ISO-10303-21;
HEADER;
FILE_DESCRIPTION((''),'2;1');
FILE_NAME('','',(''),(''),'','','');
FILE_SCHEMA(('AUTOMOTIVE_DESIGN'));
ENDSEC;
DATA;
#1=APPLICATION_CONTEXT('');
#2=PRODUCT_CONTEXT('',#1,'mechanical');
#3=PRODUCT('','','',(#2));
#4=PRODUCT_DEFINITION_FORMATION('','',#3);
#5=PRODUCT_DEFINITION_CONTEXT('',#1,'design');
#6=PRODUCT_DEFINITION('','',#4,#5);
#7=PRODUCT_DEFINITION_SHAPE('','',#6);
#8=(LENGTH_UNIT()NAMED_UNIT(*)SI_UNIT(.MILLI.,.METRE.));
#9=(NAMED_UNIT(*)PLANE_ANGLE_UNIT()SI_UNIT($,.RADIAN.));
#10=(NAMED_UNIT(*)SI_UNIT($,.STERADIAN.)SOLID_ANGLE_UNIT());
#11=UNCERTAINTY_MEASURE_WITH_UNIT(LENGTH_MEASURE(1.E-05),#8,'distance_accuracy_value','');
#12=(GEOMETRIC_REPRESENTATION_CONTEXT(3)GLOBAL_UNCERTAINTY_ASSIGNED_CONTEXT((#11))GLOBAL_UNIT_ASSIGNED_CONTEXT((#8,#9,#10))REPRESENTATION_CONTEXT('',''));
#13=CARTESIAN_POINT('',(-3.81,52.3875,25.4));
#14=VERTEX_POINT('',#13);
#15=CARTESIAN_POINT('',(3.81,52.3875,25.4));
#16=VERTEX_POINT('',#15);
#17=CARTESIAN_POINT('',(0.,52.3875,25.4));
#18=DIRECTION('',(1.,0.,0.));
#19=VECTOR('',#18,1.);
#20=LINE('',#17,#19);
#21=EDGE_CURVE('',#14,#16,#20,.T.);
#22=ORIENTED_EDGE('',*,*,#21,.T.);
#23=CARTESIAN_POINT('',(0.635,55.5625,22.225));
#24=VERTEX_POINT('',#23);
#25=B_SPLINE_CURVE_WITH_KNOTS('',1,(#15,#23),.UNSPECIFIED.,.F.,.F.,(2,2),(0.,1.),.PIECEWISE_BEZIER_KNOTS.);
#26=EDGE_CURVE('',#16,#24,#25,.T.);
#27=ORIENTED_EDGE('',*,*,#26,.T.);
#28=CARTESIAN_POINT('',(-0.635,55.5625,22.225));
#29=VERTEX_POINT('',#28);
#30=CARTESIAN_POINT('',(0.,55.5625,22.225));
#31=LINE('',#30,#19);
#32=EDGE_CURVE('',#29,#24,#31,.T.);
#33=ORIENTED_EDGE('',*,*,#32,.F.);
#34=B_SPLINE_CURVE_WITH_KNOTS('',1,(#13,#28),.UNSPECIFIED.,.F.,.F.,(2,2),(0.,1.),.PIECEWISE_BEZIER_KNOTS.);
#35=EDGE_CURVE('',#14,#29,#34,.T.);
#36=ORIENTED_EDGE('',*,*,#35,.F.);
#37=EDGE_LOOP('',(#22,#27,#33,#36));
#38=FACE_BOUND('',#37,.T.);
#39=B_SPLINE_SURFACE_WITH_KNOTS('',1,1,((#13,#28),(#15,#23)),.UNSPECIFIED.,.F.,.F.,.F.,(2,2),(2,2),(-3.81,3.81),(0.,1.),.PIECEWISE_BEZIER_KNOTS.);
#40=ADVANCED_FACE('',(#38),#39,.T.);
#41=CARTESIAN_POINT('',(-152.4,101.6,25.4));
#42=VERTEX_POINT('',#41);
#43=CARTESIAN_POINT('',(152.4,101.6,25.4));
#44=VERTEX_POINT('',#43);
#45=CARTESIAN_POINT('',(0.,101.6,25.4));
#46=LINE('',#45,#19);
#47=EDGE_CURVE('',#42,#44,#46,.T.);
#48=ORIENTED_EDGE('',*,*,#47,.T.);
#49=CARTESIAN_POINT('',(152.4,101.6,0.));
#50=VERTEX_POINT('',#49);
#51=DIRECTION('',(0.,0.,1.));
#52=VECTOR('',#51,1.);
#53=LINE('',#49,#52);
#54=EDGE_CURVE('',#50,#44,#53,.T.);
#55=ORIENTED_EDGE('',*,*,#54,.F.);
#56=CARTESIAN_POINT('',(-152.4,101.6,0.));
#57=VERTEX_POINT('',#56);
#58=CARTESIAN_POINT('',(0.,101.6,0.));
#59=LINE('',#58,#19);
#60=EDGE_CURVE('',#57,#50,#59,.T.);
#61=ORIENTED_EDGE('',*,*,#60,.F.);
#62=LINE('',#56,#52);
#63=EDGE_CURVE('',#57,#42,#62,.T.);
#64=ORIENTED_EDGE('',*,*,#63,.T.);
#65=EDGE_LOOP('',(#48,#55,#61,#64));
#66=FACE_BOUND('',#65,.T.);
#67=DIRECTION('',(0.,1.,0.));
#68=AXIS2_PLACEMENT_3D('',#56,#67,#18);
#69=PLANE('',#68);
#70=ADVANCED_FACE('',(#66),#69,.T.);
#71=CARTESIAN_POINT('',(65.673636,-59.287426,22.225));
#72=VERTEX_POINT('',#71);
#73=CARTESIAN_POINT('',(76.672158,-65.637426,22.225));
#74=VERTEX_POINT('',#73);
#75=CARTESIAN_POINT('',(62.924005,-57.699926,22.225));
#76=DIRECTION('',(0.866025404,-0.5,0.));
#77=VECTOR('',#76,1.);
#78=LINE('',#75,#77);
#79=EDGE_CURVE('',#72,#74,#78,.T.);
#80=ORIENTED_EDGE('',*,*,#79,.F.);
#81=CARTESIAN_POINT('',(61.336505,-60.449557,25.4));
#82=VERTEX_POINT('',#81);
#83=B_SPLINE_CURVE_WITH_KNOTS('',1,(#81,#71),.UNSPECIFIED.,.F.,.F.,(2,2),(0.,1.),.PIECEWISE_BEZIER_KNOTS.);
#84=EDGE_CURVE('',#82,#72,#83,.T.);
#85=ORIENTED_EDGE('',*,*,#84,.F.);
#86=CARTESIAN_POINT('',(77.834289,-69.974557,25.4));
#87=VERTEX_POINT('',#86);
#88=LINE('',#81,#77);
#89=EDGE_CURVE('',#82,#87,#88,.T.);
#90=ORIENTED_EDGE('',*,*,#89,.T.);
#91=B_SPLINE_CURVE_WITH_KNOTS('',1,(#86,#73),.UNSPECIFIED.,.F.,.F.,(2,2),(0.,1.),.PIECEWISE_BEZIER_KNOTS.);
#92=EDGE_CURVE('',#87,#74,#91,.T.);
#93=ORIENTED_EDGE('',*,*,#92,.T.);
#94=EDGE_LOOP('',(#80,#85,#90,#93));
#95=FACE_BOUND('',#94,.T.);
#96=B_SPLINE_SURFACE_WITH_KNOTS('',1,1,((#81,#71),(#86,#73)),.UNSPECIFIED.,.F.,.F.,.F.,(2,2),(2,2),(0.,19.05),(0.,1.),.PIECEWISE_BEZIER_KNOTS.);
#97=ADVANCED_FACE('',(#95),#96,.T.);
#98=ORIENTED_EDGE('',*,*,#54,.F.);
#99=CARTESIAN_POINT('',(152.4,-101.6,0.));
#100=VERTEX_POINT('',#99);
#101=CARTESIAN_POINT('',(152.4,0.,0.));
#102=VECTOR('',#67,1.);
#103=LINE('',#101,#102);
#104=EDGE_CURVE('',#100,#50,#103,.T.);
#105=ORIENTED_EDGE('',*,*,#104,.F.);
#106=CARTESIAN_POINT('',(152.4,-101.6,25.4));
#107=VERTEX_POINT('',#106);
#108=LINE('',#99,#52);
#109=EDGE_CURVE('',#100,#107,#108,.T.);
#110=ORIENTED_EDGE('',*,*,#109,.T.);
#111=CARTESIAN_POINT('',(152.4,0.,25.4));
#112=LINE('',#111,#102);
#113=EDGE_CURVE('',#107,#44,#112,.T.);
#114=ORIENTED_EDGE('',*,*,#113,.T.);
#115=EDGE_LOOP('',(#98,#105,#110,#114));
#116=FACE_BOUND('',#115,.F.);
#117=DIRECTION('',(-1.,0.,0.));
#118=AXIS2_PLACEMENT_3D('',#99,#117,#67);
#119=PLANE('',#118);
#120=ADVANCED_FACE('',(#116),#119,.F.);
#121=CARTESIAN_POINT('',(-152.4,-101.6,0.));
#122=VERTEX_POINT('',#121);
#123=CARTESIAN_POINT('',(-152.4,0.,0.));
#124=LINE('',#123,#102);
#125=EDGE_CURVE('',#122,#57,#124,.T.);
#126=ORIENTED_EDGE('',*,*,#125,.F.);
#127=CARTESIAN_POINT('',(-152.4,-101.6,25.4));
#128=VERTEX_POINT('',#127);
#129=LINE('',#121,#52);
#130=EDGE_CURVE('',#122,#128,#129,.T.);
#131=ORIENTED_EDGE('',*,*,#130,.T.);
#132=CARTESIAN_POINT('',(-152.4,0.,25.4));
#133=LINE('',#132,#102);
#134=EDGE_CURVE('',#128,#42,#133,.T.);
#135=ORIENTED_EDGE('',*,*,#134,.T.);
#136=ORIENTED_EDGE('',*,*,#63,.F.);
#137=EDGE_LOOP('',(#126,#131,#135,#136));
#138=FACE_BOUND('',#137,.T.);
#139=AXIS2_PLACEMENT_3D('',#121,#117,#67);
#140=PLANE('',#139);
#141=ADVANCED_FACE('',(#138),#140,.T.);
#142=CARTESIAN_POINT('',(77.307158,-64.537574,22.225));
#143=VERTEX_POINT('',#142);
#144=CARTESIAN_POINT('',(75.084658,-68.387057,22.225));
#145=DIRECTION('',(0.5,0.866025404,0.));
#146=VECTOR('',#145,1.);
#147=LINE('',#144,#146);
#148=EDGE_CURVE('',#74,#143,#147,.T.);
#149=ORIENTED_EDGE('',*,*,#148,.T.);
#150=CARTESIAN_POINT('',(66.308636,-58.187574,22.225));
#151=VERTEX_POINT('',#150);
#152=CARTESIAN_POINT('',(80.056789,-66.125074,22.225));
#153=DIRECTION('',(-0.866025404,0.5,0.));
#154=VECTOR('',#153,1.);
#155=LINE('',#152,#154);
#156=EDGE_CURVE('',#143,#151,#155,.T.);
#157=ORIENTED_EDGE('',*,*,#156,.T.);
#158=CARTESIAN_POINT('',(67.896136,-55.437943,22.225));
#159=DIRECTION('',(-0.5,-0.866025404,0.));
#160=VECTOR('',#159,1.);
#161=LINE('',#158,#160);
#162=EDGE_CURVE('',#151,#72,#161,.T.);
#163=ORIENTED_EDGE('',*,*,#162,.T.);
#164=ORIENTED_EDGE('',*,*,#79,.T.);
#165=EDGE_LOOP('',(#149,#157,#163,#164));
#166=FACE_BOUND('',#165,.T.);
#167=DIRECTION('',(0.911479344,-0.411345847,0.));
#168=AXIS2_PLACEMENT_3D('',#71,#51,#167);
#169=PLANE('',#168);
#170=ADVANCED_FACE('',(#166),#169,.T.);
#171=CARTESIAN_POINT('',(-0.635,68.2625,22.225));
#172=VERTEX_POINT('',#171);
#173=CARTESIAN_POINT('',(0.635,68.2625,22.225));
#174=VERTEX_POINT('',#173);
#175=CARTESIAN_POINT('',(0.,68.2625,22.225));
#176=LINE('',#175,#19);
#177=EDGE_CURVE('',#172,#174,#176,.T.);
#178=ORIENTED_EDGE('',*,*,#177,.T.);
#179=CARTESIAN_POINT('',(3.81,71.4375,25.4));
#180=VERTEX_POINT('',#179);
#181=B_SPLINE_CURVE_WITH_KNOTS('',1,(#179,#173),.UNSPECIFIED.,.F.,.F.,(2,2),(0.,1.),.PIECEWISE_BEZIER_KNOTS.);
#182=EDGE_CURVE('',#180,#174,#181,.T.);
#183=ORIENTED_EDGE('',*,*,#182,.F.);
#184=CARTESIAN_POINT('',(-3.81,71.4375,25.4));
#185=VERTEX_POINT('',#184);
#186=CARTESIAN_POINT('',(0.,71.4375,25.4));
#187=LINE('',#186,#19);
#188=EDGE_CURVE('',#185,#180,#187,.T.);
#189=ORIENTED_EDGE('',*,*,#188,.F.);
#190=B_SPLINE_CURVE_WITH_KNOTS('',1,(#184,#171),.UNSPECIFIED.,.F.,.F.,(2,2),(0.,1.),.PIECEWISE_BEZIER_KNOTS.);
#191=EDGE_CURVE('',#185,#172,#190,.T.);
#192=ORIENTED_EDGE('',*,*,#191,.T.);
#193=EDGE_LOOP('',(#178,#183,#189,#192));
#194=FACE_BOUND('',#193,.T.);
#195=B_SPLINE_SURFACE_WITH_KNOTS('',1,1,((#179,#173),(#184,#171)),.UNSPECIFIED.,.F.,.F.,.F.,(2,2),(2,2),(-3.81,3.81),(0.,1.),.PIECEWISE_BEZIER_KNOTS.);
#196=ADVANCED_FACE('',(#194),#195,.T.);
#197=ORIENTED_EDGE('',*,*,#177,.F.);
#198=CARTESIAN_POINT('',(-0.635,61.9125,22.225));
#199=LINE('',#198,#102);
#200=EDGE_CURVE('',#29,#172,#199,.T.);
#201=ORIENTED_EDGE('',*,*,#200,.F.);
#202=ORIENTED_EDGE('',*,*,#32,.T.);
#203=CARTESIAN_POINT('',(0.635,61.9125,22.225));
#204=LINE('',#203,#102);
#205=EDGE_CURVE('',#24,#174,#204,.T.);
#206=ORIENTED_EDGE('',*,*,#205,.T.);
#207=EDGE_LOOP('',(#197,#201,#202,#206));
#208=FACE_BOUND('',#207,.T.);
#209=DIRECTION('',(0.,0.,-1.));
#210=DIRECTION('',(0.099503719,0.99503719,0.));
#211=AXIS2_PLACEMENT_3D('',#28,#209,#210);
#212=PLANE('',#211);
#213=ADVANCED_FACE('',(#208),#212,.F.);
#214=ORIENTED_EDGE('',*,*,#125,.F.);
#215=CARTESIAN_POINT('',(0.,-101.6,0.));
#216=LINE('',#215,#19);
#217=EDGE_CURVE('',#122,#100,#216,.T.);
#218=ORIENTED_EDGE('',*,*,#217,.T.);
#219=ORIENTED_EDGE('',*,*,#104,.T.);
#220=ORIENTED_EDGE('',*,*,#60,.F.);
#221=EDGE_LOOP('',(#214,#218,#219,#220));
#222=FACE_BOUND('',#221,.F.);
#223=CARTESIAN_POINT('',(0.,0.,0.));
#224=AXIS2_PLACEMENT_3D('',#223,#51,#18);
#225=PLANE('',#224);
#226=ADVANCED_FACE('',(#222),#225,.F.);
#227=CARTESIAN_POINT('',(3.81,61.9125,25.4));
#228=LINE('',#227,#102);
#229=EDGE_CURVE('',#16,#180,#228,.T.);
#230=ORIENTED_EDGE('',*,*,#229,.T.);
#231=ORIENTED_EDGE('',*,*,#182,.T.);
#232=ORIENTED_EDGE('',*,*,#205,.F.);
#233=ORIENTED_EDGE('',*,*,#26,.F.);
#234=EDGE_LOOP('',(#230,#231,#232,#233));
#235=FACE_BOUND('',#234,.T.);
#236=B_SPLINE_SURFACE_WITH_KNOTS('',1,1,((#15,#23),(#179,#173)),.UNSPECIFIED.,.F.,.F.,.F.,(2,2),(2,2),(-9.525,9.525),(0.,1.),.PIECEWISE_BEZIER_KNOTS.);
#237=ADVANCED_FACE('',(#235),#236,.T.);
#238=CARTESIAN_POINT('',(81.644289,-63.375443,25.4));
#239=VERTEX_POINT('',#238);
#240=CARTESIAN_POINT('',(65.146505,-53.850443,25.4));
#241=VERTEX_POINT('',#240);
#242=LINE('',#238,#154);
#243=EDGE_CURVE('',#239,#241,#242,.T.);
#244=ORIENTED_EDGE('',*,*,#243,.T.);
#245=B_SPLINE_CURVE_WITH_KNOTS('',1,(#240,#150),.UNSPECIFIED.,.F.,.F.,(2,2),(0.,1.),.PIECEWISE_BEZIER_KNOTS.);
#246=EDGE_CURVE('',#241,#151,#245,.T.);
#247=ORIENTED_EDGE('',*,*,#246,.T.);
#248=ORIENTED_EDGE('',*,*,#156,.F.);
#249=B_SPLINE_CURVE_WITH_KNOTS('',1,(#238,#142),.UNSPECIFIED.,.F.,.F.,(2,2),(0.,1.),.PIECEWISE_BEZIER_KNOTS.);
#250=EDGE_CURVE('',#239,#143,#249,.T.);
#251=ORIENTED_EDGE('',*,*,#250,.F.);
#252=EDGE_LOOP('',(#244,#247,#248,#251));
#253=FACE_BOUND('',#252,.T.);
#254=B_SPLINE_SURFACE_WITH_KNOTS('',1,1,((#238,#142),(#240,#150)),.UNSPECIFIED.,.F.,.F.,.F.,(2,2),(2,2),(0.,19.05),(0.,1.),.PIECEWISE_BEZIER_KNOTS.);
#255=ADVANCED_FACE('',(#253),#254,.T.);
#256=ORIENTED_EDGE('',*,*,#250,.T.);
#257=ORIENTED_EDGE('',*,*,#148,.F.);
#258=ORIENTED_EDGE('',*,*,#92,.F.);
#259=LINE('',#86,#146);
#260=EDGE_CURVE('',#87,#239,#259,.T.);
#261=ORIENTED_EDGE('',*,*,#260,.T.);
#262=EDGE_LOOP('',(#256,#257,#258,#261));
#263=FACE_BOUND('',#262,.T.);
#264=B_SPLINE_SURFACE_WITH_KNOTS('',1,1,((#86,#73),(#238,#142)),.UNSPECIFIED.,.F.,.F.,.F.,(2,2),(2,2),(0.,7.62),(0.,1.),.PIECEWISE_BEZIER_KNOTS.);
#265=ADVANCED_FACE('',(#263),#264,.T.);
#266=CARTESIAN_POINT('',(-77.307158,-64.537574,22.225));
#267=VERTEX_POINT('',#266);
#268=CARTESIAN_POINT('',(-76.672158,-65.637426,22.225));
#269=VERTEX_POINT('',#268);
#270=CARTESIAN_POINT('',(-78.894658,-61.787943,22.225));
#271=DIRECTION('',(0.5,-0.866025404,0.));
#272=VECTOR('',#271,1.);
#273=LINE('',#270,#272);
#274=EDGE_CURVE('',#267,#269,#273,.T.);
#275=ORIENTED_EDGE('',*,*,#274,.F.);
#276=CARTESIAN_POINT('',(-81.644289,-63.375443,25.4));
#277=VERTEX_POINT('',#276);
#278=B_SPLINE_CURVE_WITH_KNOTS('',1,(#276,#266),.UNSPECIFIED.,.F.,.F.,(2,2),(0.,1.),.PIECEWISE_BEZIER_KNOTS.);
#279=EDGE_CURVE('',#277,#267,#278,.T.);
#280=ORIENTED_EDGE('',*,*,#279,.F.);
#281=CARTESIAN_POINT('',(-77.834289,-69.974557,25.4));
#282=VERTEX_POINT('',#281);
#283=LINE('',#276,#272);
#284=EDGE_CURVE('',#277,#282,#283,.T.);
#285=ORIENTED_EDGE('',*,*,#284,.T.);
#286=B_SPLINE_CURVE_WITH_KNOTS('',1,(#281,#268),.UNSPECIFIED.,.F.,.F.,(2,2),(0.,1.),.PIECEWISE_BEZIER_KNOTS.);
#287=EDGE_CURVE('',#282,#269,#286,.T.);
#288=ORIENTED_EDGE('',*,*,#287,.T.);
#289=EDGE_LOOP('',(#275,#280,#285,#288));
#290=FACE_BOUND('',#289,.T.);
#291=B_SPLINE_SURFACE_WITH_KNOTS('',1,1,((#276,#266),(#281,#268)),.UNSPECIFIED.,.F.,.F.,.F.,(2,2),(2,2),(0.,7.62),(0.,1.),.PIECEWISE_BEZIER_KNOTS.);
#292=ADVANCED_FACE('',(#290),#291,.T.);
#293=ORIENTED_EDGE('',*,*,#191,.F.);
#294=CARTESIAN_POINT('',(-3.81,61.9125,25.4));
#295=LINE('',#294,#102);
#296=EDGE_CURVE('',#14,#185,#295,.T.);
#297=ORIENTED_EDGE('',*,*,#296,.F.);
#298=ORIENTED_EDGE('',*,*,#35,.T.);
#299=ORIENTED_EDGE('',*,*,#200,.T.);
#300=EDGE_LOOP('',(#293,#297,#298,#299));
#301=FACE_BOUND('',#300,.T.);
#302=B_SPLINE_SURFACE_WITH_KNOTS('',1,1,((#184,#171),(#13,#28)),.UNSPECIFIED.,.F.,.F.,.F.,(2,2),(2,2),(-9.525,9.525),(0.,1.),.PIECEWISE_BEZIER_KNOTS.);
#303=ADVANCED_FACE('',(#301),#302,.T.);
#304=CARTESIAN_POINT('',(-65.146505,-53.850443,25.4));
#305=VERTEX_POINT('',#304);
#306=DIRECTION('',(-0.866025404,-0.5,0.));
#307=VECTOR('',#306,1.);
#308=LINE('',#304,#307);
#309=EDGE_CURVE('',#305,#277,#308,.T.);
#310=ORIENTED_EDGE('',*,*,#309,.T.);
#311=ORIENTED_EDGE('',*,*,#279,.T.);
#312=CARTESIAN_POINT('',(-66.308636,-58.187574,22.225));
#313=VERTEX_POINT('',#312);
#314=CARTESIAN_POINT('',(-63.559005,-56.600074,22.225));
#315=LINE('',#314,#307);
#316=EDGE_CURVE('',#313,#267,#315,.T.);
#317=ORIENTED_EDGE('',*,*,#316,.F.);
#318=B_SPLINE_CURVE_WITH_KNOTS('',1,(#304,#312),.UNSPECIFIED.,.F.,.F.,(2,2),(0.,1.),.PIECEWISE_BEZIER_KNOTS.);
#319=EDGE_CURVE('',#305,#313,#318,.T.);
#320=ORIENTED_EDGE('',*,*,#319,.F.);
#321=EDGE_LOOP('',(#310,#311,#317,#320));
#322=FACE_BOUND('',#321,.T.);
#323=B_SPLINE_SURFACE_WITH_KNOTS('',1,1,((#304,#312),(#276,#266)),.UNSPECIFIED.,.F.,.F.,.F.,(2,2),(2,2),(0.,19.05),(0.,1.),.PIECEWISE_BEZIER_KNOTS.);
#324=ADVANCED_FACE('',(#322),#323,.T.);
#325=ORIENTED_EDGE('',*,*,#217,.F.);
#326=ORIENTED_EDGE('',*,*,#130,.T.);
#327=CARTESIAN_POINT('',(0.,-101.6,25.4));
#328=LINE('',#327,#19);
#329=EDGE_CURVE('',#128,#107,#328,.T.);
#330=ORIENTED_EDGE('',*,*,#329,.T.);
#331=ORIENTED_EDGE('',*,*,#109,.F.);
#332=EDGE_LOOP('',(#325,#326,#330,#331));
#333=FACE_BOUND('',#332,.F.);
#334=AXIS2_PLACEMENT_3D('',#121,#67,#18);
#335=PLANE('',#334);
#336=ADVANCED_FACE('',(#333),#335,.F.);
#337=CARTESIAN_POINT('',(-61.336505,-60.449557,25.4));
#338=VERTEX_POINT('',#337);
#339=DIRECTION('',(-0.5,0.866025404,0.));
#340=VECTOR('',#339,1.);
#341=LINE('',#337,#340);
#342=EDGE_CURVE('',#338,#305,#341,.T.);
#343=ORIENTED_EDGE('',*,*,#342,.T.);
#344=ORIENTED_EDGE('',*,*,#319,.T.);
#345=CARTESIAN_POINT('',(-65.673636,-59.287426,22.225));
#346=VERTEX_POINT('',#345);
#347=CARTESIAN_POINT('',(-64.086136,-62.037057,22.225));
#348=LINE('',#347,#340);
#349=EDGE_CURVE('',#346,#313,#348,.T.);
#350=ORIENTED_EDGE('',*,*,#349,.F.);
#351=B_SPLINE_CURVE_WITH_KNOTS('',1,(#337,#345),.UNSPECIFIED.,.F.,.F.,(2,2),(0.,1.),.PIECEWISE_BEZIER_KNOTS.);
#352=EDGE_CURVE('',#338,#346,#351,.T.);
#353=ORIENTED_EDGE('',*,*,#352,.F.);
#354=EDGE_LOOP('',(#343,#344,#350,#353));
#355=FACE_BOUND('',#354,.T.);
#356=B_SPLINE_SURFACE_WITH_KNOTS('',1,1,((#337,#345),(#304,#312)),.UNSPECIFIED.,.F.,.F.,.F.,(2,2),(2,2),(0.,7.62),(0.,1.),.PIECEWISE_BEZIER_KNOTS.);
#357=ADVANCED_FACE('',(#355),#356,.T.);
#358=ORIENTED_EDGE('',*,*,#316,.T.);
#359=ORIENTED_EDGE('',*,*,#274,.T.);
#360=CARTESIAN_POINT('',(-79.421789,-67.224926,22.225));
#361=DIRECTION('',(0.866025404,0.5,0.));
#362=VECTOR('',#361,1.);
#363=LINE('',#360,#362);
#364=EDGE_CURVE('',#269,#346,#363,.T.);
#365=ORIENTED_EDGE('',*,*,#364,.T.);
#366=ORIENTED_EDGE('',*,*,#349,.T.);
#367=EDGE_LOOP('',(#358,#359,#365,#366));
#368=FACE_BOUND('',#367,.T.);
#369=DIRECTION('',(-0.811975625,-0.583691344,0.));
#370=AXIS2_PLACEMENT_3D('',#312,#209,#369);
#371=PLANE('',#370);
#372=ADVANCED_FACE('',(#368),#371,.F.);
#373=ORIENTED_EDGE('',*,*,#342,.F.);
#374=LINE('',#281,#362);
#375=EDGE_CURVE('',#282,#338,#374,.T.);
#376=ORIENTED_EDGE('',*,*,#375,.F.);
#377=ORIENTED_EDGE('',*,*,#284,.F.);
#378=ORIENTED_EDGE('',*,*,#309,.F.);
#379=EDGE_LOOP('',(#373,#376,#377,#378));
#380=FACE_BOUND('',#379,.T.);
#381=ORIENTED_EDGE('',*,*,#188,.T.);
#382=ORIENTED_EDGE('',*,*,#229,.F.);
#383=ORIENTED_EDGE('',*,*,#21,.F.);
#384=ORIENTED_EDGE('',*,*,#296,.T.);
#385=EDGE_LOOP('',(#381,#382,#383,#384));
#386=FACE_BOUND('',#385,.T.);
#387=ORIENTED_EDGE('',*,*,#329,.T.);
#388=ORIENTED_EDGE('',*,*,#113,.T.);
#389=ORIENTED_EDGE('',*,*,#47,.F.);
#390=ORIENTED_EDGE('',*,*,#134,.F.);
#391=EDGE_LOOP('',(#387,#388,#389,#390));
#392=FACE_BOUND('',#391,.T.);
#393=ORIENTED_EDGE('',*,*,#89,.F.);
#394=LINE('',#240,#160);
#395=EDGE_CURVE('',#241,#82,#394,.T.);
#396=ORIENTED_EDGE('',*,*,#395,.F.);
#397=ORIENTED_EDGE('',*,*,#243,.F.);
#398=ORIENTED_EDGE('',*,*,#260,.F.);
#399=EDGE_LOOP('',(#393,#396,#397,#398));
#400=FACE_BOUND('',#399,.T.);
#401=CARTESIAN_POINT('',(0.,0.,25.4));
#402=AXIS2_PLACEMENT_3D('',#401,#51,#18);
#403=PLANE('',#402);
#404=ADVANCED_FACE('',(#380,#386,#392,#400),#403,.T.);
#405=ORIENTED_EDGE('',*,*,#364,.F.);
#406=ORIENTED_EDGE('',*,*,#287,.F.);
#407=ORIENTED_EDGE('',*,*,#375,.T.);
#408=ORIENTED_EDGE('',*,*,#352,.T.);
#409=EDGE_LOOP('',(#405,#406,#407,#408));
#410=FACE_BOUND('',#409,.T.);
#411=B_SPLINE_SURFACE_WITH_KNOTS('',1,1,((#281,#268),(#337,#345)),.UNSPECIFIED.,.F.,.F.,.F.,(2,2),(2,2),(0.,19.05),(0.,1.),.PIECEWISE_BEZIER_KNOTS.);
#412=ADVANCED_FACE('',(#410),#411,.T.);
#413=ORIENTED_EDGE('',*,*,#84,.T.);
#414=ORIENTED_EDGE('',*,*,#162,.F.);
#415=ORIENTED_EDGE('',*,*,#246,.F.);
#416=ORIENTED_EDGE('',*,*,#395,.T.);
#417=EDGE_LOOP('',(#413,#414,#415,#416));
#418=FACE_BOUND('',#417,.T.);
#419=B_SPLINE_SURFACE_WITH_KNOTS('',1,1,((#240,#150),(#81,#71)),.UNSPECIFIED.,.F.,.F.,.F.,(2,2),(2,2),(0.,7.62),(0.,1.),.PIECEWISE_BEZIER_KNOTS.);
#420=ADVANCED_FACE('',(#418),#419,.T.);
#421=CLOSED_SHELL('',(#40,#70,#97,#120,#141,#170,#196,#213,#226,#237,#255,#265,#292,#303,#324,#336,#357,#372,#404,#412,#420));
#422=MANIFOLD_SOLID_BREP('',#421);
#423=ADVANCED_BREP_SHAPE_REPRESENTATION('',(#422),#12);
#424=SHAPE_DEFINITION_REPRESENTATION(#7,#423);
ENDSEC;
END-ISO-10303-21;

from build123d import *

# Parameters (mm, degrees)
F0_W     = 304.8
F0_H     = 203.2
F1_DEPTH = 25.4
F2_W     = 7.62
F2_H     = 19.05
F3_DEPTH = 3.175
F3_TAPER = 45


with BuildPart() as f1:
    # F0 (on Top) → F1 (new body)
    with BuildSketch(Plane.XY):
        Rectangle(F0_W, F0_H)
    extrude(amount=F1_DEPTH)

    # F2 (on face) → F3 (cut)
    with BuildSketch(Plane.XY.offset(25.4)):
        Polygon((-65.1465051114, -53.8504432116), (-81.6442890535, -63.3754432116), (-77.8342890535, -69.9745567884), (-61.3365051114, -60.4495567884), align=None)
        Polygon((61.3365051114, -60.4495567884), (77.8342890535, -69.9745567884), (81.6442890535, -63.3754432116), (65.1465051114, -53.8504432116), align=None)
        with Locations((0, 61.9125)):
            Rectangle(F2_W, F2_H)
    extrude(amount=-F3_DEPTH, taper=F3_TAPER, mode=Mode.SUBTRACT)


solid = f1.part
